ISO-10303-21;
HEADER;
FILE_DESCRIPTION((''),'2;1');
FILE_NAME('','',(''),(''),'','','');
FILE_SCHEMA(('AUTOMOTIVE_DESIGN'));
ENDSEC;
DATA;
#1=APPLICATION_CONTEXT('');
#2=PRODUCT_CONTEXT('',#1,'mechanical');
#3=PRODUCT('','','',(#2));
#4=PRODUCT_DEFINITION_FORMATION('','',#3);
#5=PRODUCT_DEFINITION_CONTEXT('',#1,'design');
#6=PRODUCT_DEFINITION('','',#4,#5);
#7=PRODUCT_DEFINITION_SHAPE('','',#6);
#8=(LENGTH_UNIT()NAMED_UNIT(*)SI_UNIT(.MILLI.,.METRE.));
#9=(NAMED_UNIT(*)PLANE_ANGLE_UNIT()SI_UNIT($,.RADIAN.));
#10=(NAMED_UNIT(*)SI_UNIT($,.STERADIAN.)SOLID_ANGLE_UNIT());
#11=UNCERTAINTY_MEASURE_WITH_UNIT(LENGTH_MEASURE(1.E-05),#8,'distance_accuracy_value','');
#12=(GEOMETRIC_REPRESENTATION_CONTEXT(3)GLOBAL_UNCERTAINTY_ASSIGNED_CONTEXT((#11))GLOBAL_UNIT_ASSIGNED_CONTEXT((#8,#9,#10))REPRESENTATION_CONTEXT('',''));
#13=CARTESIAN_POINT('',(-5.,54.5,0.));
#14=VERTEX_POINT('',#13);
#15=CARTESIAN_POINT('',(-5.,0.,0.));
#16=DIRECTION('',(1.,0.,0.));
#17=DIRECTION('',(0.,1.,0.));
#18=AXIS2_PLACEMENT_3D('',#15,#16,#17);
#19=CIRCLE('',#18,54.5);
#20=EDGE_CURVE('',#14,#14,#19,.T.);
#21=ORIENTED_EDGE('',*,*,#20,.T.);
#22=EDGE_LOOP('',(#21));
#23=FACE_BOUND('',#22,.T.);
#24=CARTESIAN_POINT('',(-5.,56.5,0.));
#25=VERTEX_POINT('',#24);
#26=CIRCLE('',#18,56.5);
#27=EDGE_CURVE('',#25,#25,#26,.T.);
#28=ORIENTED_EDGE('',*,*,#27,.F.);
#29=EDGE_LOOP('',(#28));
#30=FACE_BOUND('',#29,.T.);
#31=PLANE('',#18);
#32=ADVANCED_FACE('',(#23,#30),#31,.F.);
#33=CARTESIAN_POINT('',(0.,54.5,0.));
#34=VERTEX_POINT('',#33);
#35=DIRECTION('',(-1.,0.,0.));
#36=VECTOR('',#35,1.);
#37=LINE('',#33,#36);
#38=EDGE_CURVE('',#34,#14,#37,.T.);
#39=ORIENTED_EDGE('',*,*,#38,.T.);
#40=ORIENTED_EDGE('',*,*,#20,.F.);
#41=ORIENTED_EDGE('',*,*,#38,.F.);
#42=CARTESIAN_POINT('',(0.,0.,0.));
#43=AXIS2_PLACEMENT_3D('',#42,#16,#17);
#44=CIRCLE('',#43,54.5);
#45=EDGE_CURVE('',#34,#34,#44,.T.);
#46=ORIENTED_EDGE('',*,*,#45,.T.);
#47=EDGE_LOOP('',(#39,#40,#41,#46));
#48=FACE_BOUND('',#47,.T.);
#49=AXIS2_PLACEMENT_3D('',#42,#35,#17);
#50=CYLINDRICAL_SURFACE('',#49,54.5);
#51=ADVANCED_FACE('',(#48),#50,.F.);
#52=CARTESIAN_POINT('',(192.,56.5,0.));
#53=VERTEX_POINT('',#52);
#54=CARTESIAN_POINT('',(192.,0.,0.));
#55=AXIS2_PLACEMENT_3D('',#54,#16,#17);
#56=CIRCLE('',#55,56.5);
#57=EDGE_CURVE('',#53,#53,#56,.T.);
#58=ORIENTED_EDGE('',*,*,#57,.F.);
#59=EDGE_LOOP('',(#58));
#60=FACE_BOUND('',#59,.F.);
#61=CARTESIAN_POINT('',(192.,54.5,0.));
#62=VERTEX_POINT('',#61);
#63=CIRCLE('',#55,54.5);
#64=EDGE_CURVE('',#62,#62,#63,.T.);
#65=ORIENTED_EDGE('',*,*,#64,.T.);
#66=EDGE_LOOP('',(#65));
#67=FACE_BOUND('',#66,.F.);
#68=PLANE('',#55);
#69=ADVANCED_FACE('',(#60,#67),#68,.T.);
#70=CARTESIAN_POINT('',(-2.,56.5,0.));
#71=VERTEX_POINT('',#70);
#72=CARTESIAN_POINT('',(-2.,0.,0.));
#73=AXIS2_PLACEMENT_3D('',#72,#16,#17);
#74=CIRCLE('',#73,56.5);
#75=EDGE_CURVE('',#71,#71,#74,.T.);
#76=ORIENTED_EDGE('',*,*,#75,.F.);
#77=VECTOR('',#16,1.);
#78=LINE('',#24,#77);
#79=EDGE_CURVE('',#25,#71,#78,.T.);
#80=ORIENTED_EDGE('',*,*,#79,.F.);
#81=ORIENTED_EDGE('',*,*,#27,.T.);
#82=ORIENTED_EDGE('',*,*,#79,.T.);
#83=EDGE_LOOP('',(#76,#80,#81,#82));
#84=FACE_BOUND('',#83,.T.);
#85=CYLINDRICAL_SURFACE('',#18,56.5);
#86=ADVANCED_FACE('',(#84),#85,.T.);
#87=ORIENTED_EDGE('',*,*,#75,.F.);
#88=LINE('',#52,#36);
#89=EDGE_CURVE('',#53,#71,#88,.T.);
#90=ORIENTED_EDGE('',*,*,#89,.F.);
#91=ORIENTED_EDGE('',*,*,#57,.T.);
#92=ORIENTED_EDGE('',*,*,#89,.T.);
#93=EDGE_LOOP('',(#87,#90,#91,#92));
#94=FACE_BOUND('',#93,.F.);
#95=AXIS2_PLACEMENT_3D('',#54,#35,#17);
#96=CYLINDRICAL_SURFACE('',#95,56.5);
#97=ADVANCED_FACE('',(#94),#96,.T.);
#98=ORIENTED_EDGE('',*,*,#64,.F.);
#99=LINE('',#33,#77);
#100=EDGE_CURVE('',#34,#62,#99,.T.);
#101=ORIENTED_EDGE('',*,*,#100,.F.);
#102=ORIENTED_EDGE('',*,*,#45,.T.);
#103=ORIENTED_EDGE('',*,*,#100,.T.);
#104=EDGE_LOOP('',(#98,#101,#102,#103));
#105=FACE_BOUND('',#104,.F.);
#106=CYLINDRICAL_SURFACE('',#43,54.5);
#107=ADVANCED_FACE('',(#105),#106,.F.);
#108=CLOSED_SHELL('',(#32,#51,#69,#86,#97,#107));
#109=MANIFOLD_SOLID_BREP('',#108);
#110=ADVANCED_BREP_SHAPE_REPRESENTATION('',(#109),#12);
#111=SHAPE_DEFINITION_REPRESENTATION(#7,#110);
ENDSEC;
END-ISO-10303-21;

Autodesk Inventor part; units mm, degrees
ref_plane "YZ Plane" through (0, 0, 0) normal (1, 0, 0) x (0, 1, 0)
ref_plane "XZ Plane" through (0, 0, 0) normal (0, 1, 0) x (-1, 0, 0)
ref_plane "XY Plane" through (0, 0, 0) normal (0, 0, 1) x (1, 0, 0)
sketch "Sketch1" plane through (0, 0, 0) normal (0, 0, 1) x (1, 0, 0)
  line L0 (0, 0) -> (200, 0) construction
  line L1 (0, 0) -> (0, 54.5) construction
  line L2 (0, 54.5) -> (192, 54.5)
  line L3 (192, 54.5) -> (192, 0) construction
  line L4 (196, 0) -> (196, 56.5) construction
  line L5 (192, 56.5) -> (-2, 56.5)
  line L6 (-2, 56.5) -> (-2, -2) construction
  line L7 (-2, -2) -> (200, -2) construction
  line L8 (192, 54.5) -> (192, 56.5)
  line L9 (0, 54.5) -> (-5, 54.5)
  line L10 (-5, 54.5) -> (-5, 56.5)
  line L11 (-5, 56.5) -> (-2, 56.5)
  dimension "d7" = 54.5
  dimension "d8" = 192
  dimension "d9" = 200
  dimension "d10" = 2
  dimension "d11" = 5
revolve "Revolution1" add sketch "Sketch1" angle 360 about axis through (0, 0, 0) along (1, 0, 0)
properties part number "stainless steel final" material "Stainless Steel"
